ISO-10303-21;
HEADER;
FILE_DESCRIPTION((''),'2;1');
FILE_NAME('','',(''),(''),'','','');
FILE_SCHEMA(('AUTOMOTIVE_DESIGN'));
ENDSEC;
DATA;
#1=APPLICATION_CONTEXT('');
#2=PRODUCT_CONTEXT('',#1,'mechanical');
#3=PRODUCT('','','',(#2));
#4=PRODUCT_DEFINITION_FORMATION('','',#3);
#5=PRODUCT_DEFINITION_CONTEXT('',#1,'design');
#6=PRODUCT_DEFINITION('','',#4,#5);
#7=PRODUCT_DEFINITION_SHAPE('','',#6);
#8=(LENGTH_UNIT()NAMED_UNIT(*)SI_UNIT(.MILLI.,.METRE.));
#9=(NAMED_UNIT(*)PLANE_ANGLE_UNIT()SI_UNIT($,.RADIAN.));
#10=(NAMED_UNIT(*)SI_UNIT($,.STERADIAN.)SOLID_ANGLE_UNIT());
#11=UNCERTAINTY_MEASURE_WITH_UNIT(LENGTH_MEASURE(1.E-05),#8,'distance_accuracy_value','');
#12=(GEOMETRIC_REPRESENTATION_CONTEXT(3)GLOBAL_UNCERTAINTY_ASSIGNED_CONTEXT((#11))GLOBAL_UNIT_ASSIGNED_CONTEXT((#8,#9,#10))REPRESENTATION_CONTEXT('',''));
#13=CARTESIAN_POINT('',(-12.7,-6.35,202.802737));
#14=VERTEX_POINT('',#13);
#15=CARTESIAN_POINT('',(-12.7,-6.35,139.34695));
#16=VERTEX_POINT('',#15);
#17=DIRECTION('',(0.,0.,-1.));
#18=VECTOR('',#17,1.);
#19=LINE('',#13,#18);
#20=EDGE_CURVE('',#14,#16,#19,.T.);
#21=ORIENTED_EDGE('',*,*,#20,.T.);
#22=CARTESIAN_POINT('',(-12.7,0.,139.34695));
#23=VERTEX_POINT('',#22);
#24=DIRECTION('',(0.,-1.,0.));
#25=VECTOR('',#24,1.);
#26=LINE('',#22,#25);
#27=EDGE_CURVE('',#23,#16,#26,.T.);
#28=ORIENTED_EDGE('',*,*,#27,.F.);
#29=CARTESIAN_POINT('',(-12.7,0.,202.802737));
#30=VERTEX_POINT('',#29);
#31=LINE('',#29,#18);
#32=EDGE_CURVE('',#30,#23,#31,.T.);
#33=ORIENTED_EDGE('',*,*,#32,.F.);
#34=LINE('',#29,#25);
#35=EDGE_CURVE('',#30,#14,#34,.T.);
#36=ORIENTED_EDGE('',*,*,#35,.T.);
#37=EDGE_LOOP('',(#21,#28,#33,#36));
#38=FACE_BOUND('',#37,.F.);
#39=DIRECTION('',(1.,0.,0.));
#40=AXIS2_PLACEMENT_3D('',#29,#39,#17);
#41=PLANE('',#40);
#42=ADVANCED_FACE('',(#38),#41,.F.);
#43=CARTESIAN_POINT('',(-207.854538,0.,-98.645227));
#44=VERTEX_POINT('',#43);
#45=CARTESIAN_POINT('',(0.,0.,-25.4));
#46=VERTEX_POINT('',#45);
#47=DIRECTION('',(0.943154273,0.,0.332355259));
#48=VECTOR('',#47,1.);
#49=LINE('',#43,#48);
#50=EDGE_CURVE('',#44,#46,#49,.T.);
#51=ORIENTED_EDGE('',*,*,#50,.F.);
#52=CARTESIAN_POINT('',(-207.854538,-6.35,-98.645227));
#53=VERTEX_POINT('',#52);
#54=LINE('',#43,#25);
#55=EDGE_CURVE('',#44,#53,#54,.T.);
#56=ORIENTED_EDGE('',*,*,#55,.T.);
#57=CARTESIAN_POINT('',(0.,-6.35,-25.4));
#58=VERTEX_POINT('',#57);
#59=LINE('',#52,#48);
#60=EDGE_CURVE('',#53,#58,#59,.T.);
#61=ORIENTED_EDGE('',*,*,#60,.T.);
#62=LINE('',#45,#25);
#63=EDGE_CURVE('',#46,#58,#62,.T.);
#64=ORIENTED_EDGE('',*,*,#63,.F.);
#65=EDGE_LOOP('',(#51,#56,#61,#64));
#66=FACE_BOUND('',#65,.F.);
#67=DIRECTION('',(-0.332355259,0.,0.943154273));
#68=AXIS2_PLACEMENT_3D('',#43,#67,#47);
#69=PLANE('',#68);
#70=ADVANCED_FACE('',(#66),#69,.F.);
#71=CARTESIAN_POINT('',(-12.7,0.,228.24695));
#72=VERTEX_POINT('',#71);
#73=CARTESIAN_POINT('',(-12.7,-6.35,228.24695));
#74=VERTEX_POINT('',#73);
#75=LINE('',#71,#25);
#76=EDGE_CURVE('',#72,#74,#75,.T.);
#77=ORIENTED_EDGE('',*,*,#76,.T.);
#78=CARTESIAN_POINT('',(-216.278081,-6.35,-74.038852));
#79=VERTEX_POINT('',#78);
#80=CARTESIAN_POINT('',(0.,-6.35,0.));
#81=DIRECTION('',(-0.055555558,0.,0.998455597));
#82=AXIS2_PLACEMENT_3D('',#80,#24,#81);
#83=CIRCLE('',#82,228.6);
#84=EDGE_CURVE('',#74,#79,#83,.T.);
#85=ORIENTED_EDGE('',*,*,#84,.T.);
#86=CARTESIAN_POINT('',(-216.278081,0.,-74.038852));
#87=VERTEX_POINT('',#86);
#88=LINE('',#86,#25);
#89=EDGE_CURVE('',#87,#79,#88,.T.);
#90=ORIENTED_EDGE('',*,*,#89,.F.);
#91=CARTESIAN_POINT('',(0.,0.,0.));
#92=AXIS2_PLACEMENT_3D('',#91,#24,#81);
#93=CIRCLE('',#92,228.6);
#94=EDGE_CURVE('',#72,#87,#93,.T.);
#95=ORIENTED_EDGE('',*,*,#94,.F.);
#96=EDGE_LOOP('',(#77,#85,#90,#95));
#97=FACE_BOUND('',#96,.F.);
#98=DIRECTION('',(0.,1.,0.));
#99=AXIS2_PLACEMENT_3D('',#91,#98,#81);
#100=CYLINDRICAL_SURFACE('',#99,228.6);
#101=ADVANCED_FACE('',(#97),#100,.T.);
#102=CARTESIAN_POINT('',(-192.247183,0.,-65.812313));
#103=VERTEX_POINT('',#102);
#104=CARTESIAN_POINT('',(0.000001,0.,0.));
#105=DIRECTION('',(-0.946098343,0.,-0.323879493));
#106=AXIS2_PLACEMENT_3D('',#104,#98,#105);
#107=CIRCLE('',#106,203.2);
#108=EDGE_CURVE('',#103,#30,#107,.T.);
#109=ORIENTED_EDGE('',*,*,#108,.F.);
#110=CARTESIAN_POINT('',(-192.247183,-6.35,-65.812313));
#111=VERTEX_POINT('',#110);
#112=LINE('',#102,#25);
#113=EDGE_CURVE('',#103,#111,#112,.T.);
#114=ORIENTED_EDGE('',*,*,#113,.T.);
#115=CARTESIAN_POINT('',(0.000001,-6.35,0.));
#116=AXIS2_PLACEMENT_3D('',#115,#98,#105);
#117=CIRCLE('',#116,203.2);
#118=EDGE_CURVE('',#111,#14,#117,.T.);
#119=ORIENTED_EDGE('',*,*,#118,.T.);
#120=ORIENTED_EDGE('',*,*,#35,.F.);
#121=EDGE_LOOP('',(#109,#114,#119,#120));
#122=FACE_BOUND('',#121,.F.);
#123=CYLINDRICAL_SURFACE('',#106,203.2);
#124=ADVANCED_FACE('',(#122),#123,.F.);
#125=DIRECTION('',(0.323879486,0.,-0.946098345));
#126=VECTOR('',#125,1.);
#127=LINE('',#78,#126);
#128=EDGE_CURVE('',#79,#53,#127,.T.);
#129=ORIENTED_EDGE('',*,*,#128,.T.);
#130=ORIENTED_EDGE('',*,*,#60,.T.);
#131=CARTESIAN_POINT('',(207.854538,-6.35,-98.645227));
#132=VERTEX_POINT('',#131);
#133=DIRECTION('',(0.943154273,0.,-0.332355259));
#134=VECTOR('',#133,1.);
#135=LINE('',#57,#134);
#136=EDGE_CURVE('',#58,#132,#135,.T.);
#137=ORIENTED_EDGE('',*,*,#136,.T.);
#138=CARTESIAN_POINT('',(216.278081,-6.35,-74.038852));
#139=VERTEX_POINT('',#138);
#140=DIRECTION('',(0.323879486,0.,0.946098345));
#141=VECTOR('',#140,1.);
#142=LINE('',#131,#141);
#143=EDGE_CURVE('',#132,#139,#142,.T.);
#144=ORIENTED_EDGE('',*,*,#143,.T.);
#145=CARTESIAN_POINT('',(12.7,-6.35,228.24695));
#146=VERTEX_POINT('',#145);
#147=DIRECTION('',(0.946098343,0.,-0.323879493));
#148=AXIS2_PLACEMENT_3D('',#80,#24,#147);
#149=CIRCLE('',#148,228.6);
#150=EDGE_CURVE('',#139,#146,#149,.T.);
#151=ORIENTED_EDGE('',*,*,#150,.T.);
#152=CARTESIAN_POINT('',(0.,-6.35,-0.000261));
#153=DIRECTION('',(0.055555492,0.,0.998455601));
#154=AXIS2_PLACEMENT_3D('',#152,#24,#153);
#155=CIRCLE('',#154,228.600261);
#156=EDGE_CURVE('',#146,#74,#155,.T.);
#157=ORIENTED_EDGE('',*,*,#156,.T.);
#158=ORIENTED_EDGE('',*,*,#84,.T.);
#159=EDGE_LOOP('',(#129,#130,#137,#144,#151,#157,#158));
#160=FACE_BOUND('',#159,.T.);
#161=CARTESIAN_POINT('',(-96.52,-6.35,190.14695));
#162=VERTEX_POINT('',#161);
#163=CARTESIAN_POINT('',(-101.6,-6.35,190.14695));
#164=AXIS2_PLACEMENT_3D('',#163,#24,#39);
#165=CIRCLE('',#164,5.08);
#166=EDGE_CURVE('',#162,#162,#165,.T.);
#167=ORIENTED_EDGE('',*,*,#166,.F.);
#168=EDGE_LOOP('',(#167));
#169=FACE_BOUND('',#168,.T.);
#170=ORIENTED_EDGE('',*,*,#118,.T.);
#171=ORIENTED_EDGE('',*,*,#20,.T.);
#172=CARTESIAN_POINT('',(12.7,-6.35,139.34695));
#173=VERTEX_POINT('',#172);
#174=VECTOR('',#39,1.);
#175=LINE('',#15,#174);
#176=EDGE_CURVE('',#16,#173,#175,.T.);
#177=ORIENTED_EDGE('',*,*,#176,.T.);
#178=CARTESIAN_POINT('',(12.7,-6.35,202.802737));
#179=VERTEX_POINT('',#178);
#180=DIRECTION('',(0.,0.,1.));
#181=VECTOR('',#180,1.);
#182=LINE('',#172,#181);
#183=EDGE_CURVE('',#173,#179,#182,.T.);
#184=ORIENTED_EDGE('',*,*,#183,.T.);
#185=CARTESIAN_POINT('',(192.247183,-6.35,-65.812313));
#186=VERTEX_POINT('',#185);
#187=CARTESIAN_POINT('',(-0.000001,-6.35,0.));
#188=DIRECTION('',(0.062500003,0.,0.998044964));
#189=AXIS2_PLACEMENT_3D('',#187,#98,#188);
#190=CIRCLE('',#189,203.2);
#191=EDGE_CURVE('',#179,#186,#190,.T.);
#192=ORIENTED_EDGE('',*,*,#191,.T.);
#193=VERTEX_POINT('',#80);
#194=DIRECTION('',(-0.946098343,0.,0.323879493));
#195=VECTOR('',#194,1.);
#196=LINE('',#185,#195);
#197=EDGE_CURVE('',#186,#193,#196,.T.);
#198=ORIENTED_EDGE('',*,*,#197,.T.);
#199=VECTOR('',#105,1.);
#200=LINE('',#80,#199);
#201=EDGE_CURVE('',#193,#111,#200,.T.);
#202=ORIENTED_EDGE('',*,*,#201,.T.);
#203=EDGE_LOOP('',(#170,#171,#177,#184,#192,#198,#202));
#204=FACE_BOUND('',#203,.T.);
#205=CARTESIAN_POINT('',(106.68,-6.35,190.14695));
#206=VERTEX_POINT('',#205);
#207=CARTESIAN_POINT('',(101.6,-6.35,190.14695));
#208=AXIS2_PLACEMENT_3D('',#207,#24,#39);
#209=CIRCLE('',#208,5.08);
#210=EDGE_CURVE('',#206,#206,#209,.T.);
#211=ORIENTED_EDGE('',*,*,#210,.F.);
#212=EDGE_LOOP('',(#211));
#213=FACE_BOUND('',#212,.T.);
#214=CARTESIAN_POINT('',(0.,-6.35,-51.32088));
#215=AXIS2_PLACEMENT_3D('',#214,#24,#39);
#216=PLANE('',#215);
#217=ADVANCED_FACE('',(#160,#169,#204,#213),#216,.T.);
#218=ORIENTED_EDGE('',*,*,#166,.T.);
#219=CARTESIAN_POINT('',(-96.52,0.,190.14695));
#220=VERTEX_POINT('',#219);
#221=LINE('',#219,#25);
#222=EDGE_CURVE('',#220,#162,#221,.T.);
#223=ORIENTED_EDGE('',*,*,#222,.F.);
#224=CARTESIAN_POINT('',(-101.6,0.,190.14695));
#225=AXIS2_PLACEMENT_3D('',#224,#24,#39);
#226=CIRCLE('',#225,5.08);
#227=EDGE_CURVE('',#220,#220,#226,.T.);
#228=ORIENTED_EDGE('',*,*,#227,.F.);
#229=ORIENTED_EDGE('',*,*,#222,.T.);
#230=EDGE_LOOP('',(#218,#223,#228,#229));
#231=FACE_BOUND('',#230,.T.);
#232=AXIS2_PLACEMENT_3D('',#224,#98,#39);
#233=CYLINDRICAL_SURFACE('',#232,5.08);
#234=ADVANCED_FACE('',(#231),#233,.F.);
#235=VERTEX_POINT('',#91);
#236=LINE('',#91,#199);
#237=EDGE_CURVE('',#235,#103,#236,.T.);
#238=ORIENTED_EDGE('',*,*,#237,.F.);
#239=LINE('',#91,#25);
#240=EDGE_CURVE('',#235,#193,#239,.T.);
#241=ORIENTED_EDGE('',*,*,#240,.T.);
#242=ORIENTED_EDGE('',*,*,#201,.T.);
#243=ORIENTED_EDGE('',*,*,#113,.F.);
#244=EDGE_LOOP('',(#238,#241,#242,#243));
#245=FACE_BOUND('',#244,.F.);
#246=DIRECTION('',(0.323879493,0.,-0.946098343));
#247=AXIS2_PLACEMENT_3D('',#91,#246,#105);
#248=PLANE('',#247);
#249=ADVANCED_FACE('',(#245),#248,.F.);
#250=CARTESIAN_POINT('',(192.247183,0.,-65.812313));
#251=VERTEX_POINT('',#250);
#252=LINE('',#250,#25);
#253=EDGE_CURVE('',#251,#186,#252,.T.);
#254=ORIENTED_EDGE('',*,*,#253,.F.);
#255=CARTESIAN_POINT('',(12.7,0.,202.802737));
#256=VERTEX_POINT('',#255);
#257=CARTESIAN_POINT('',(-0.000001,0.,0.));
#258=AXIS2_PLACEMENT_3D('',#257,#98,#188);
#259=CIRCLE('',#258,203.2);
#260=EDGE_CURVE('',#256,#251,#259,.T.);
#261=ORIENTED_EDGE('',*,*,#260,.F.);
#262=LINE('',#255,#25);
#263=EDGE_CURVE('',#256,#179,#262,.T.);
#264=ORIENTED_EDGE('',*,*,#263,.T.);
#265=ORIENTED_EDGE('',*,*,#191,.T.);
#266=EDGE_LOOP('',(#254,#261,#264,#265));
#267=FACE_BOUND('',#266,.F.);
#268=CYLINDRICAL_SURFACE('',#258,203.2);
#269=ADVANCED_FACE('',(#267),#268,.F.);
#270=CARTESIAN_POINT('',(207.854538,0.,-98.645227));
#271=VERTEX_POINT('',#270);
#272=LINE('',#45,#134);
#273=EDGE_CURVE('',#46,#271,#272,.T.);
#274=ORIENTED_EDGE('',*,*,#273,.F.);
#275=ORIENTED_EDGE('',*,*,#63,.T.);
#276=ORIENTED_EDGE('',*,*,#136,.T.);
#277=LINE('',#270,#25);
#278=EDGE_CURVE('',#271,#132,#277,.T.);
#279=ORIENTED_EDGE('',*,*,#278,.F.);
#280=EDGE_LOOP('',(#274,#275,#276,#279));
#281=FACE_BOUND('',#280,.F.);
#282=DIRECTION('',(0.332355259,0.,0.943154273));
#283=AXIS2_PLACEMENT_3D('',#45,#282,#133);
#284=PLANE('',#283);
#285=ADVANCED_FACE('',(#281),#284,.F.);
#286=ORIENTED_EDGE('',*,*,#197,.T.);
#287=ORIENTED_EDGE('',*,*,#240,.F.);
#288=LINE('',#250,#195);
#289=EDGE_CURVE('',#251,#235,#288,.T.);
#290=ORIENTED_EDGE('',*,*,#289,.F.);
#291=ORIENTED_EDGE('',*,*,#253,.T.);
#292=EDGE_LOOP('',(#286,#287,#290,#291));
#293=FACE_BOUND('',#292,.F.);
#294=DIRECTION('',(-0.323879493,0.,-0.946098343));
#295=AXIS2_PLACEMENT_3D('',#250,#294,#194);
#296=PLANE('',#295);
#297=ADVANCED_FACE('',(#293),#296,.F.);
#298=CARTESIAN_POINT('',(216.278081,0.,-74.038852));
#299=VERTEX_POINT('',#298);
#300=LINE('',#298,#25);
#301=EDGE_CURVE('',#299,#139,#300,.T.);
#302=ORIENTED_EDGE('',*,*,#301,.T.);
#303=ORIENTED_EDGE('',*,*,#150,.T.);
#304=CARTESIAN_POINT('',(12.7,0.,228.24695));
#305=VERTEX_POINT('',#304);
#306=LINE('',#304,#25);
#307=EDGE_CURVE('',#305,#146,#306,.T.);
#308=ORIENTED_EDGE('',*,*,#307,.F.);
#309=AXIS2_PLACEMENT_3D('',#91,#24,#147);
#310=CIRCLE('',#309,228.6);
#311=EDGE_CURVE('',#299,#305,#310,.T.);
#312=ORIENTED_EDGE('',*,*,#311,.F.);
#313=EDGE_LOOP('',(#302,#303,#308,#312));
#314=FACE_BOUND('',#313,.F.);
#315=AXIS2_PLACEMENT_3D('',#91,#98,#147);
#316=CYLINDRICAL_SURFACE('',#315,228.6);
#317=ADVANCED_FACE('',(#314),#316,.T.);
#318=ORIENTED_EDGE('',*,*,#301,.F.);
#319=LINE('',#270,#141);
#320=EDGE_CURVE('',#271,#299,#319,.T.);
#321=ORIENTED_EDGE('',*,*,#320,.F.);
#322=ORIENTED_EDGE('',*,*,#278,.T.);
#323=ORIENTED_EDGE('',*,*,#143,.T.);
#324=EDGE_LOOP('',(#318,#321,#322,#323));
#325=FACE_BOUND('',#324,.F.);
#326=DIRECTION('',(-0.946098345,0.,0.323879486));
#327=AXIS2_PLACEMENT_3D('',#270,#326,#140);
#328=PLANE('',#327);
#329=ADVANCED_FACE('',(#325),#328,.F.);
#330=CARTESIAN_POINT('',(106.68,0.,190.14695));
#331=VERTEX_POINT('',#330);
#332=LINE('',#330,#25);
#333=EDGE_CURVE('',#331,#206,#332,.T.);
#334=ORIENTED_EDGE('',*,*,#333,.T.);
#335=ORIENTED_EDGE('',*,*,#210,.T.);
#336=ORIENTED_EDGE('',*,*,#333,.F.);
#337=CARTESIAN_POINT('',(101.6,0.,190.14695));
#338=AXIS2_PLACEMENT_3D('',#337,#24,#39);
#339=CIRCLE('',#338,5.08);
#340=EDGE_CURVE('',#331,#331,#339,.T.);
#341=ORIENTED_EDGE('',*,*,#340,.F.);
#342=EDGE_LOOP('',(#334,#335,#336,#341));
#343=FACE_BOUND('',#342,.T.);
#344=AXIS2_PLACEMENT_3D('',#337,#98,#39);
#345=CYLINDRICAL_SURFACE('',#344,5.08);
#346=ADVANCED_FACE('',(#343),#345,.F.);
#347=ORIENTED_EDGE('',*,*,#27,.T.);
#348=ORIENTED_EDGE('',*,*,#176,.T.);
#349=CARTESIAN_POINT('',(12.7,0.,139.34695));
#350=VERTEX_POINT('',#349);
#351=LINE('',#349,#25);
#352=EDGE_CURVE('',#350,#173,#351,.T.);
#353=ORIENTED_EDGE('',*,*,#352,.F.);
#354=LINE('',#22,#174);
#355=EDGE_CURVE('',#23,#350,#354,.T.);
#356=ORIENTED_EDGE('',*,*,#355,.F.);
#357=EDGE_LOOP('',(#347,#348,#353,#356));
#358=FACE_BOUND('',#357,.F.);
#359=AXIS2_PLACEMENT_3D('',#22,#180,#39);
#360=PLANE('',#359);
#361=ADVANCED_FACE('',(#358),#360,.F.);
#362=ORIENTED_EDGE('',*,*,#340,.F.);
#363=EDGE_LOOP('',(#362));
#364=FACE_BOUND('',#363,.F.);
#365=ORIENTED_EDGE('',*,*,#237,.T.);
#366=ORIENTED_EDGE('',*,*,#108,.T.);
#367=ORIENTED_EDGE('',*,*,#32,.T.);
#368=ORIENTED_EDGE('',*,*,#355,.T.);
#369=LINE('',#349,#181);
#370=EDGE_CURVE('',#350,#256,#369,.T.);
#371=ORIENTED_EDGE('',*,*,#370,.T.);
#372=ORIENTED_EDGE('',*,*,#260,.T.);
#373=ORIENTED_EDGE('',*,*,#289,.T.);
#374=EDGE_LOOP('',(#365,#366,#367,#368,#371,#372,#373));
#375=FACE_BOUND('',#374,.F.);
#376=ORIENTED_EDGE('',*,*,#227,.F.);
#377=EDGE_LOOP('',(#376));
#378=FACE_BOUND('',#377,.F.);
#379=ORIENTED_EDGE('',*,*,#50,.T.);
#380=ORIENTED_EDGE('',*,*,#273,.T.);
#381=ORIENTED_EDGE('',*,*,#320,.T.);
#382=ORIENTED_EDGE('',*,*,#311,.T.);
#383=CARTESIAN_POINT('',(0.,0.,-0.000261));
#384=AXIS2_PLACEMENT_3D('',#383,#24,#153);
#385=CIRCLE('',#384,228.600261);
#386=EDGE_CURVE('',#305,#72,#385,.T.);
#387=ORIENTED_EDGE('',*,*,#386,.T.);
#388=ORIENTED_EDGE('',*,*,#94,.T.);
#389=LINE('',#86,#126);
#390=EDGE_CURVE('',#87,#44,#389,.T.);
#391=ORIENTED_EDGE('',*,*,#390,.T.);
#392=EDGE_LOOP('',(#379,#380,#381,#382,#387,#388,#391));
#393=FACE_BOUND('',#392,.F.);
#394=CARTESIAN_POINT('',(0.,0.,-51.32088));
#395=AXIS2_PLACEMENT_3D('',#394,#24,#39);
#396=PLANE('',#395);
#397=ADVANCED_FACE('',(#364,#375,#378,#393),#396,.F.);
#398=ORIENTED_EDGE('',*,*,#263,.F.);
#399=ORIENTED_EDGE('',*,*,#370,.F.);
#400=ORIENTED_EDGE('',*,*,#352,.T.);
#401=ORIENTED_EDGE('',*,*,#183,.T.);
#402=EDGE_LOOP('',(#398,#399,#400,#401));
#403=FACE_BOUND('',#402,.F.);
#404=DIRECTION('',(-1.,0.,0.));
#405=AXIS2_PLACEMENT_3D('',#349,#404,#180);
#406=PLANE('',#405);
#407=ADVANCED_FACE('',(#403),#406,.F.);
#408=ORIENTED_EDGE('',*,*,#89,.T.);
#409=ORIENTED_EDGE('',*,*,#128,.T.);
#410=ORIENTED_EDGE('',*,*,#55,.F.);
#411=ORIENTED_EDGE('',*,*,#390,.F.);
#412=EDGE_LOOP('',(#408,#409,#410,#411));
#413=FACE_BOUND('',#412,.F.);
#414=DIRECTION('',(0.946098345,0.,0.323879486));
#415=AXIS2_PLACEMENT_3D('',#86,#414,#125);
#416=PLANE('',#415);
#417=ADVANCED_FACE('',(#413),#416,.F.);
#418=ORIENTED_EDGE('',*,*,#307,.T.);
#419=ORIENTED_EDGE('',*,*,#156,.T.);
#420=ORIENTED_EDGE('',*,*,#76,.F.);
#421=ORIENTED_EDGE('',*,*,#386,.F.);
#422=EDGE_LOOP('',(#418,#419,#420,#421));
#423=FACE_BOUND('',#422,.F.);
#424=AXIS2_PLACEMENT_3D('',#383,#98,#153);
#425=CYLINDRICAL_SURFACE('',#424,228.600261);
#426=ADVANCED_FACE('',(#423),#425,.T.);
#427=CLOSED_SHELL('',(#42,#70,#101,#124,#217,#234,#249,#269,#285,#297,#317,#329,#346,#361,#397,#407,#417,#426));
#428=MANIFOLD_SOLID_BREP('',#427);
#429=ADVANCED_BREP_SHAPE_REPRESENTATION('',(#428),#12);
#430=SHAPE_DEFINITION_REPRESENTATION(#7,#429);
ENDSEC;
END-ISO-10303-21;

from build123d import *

# Parameters (mm, degrees)
F0_R     = 5.08
F1_DEPTH = 6.35


with BuildPart() as f1:
    # F0 (on Front) → F1 (new body)
    with BuildSketch(Plane.XZ):
        Polygon((192.247183, -65.812313), (0, 0), (-192.247183, -65.812313), (-216.278081, -74.038852), (-207.854538, -98.645227), (0, -25.4), (207.854538, -98.645227), (216.278081, -74.038852), align=None)
        with BuildLine():
            Line((-216.278081, -74.038852), (-192.247183, -65.812313))
            ThreePointArc((-192.247183, -65.812313), (-168.935929, 112.919847), (-12.7, 202.802737))
            Line((-12.7, 202.802737), (-12.7, 228.24695))
            ThreePointArc((-12.7, 228.24695), (-189.609907, 127.695118), (-216.278081, -74.038852))
        make_face()
        with Locations((-101.6, 190.14695)):
            Circle(F0_R, mode=Mode.SUBTRACT)
        with BuildLine():
            ThreePointArc((12.7, 202.802737), (168.935929, 112.919847), (192.247183, -65.812313))
            Line((192.247183, -65.812313), (216.278081, -74.038852))
            ThreePointArc((216.278081, -74.038852), (189.609907, 127.695118), (12.7, 228.24695))
            Line((12.7, 228.24695), (12.7, 202.802737))
        make_face()
        with Locations((101.6, 190.14695)):
            Circle(F0_R, mode=Mode.SUBTRACT)
        with BuildLine():
            Line((-12.7, 228.24695), (-12.7, 202.802737))
            ThreePointArc((-12.7, 202.802737), (0, 203.2), (12.7, 202.802737))
            Line((12.7, 202.802737), (12.7, 228.24695))
            ThreePointArc((12.7, 228.24695), (0, 228.6), (-12.7, 228.24695))
        make_face()
        with BuildLine():
            ThreePointArc((12.7, 202.802737), (0, 203.2), (-12.7, 202.802737))
            Line((-12.7, 202.802737), (-12.7, 139.34695))
            Line((-12.7, 139.34695), (12.7, 139.34695))
            Line((12.7, 139.34695), (12.7, 202.802737))
        make_face()
    extrude(amount=F1_DEPTH)


solid = f1.part
